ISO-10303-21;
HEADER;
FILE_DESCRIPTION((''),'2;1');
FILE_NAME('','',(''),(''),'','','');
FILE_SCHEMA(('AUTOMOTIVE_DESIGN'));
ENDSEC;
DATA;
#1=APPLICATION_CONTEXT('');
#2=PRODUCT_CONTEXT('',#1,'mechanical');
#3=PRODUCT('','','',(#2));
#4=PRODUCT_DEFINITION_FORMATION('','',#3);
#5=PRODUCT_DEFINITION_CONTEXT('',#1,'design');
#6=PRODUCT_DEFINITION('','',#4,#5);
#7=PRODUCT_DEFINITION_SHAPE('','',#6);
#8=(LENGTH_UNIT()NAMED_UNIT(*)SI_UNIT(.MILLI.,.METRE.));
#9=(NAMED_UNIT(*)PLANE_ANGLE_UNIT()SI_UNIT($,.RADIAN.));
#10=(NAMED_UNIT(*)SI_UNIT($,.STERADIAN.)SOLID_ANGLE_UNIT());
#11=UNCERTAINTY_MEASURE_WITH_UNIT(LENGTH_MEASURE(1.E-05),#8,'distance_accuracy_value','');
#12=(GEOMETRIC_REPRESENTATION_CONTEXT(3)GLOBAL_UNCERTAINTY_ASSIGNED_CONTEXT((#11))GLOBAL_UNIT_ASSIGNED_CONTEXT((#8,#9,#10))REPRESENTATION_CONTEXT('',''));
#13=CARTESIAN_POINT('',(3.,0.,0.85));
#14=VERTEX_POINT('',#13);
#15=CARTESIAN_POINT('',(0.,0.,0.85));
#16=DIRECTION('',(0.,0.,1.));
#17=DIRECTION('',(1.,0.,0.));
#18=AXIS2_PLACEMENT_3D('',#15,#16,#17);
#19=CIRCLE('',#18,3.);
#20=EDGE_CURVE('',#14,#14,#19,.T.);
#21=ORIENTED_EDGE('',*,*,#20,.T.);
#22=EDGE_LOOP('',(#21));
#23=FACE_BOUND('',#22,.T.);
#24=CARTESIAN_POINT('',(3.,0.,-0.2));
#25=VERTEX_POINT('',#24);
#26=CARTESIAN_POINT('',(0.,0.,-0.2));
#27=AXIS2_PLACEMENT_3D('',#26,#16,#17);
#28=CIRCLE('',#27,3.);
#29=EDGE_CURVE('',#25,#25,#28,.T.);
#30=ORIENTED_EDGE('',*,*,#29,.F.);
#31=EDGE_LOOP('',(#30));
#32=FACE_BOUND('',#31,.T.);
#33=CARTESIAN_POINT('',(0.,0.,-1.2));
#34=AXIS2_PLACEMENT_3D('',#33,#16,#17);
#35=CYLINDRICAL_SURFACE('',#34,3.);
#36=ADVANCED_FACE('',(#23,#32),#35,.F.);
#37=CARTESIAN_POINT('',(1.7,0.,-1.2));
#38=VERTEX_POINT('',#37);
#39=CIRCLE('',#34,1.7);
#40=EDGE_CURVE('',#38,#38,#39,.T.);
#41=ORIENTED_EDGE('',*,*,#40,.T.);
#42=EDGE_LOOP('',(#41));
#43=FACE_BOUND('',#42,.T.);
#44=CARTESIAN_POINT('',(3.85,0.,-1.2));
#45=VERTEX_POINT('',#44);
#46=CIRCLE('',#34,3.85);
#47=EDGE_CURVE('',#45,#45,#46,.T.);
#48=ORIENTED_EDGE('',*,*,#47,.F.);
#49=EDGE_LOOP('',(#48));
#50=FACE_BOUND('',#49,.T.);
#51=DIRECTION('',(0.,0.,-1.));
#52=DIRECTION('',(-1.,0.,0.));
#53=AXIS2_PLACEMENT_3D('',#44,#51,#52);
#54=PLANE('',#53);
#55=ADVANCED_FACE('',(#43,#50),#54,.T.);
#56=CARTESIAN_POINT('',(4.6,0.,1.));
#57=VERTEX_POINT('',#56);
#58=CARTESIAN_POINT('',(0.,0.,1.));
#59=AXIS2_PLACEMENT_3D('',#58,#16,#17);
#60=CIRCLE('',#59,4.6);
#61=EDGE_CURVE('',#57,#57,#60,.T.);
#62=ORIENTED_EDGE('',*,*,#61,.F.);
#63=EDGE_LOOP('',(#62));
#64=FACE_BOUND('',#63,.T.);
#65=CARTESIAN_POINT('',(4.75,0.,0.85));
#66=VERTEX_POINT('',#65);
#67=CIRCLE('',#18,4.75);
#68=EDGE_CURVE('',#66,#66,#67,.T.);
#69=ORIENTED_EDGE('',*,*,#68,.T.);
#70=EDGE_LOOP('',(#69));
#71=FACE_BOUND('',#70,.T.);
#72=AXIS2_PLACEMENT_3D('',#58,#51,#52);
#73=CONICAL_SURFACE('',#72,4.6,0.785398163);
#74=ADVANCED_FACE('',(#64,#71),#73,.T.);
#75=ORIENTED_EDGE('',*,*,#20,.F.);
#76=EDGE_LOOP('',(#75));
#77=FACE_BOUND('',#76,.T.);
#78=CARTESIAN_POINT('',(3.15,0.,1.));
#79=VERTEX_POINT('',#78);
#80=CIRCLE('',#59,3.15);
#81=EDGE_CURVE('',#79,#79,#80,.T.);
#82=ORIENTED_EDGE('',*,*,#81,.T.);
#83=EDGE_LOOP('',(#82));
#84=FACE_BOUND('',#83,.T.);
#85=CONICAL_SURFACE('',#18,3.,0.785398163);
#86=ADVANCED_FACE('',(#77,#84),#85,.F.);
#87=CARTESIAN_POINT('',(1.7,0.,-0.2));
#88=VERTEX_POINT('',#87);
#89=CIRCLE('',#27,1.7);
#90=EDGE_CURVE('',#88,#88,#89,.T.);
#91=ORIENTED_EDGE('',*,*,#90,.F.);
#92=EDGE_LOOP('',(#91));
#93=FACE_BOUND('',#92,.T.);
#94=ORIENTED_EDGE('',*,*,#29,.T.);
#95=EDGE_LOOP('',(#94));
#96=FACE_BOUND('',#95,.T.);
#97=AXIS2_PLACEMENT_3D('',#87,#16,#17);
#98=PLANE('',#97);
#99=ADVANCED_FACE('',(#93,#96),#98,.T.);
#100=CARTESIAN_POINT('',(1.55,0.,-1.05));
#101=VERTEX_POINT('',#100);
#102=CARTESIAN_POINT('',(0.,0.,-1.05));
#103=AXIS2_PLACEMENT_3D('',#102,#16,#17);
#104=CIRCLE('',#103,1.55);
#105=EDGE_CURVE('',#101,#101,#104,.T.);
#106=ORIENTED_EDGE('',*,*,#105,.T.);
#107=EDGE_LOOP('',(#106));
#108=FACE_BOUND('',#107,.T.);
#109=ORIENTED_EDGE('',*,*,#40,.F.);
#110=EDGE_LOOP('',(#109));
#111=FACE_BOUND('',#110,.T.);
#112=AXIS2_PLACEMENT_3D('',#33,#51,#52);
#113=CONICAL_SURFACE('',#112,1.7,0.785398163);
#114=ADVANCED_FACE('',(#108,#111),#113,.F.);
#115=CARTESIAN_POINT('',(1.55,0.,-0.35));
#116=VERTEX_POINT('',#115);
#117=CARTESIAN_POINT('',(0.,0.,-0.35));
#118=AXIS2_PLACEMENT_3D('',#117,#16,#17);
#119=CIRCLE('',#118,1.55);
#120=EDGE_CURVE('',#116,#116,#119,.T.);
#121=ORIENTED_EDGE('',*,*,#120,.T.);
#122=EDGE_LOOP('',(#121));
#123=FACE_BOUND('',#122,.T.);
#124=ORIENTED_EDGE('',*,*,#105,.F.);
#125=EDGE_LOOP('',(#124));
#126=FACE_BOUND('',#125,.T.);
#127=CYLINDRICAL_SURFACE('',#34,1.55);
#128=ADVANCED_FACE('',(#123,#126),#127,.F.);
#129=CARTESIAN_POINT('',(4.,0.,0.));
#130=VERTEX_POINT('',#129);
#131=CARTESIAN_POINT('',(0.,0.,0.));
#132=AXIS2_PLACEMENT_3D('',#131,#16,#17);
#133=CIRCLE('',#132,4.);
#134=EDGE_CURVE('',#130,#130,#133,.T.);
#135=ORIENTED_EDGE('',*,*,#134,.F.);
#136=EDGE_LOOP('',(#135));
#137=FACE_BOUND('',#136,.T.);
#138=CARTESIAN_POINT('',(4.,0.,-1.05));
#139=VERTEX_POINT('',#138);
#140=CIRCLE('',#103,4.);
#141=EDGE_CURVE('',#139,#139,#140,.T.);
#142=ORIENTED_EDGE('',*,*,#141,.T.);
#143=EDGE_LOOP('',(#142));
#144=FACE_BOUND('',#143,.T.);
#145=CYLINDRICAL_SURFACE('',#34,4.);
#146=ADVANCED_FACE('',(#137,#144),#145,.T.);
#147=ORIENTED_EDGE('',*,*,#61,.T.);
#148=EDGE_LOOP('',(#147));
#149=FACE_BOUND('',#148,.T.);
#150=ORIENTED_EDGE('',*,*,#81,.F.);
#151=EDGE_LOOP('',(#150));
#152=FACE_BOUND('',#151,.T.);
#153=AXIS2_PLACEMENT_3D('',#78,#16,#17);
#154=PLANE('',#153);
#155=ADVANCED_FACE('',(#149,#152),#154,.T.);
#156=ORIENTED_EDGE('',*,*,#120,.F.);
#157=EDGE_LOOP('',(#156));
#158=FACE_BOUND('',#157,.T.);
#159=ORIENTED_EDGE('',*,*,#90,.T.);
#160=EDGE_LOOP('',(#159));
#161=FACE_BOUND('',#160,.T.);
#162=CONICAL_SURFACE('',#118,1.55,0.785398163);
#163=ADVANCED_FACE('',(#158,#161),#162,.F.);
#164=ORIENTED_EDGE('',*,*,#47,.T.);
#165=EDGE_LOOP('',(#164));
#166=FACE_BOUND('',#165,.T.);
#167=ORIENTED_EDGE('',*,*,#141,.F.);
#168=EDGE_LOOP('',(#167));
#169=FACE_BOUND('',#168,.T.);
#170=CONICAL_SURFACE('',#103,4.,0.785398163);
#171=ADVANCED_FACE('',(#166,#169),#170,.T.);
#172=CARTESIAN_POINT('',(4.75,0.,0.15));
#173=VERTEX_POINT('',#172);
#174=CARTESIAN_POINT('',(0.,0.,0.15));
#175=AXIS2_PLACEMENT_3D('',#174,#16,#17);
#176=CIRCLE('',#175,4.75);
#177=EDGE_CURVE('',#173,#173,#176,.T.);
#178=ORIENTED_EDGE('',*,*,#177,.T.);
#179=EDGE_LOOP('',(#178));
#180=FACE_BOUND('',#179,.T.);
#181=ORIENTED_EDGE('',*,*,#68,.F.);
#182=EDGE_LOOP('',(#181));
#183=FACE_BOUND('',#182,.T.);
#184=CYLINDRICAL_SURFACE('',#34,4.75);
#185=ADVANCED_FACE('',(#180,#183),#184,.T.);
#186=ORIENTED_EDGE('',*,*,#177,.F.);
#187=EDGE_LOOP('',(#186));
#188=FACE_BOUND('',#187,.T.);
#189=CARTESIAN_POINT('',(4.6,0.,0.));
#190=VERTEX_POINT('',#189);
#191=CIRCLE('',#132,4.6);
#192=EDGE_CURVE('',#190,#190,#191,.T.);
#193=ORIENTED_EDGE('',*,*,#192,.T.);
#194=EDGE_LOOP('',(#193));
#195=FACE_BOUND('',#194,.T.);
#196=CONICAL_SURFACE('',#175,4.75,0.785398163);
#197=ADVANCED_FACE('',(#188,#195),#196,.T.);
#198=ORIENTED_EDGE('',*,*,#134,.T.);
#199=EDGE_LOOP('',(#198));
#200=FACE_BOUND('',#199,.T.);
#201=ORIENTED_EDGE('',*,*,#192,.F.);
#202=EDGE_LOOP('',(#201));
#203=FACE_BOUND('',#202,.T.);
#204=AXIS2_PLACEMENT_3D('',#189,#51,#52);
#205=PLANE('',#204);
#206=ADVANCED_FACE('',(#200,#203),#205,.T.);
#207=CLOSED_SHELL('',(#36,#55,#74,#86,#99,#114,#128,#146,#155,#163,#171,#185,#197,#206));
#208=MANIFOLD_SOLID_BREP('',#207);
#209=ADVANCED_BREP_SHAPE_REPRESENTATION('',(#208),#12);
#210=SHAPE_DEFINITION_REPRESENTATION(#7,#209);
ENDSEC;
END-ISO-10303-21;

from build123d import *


with BuildPart() as part:
    # Sketch1 → Revolve1 (revolve)
    with BuildSketch(Plane(origin=(0, 0, 0), x_dir=(1, 0, 0), z_dir=(0, 1, 0))):
        Polygon((3.15, -1), (4.6, -1), (4.75, -0.85), (4.75, -0.15), (4.6, 0), (4, 0), (4, 1.05), (3.85, 1.2), (1.7, 1.2), (1.55, 1.05), (1.55, 0.35), (1.7, 0.2), (3, 0.2), (3, -0.85), align=None)
    revolve(axis=Axis((0, 0, -1.2), (0, 0, 1)))


solid = part.part
